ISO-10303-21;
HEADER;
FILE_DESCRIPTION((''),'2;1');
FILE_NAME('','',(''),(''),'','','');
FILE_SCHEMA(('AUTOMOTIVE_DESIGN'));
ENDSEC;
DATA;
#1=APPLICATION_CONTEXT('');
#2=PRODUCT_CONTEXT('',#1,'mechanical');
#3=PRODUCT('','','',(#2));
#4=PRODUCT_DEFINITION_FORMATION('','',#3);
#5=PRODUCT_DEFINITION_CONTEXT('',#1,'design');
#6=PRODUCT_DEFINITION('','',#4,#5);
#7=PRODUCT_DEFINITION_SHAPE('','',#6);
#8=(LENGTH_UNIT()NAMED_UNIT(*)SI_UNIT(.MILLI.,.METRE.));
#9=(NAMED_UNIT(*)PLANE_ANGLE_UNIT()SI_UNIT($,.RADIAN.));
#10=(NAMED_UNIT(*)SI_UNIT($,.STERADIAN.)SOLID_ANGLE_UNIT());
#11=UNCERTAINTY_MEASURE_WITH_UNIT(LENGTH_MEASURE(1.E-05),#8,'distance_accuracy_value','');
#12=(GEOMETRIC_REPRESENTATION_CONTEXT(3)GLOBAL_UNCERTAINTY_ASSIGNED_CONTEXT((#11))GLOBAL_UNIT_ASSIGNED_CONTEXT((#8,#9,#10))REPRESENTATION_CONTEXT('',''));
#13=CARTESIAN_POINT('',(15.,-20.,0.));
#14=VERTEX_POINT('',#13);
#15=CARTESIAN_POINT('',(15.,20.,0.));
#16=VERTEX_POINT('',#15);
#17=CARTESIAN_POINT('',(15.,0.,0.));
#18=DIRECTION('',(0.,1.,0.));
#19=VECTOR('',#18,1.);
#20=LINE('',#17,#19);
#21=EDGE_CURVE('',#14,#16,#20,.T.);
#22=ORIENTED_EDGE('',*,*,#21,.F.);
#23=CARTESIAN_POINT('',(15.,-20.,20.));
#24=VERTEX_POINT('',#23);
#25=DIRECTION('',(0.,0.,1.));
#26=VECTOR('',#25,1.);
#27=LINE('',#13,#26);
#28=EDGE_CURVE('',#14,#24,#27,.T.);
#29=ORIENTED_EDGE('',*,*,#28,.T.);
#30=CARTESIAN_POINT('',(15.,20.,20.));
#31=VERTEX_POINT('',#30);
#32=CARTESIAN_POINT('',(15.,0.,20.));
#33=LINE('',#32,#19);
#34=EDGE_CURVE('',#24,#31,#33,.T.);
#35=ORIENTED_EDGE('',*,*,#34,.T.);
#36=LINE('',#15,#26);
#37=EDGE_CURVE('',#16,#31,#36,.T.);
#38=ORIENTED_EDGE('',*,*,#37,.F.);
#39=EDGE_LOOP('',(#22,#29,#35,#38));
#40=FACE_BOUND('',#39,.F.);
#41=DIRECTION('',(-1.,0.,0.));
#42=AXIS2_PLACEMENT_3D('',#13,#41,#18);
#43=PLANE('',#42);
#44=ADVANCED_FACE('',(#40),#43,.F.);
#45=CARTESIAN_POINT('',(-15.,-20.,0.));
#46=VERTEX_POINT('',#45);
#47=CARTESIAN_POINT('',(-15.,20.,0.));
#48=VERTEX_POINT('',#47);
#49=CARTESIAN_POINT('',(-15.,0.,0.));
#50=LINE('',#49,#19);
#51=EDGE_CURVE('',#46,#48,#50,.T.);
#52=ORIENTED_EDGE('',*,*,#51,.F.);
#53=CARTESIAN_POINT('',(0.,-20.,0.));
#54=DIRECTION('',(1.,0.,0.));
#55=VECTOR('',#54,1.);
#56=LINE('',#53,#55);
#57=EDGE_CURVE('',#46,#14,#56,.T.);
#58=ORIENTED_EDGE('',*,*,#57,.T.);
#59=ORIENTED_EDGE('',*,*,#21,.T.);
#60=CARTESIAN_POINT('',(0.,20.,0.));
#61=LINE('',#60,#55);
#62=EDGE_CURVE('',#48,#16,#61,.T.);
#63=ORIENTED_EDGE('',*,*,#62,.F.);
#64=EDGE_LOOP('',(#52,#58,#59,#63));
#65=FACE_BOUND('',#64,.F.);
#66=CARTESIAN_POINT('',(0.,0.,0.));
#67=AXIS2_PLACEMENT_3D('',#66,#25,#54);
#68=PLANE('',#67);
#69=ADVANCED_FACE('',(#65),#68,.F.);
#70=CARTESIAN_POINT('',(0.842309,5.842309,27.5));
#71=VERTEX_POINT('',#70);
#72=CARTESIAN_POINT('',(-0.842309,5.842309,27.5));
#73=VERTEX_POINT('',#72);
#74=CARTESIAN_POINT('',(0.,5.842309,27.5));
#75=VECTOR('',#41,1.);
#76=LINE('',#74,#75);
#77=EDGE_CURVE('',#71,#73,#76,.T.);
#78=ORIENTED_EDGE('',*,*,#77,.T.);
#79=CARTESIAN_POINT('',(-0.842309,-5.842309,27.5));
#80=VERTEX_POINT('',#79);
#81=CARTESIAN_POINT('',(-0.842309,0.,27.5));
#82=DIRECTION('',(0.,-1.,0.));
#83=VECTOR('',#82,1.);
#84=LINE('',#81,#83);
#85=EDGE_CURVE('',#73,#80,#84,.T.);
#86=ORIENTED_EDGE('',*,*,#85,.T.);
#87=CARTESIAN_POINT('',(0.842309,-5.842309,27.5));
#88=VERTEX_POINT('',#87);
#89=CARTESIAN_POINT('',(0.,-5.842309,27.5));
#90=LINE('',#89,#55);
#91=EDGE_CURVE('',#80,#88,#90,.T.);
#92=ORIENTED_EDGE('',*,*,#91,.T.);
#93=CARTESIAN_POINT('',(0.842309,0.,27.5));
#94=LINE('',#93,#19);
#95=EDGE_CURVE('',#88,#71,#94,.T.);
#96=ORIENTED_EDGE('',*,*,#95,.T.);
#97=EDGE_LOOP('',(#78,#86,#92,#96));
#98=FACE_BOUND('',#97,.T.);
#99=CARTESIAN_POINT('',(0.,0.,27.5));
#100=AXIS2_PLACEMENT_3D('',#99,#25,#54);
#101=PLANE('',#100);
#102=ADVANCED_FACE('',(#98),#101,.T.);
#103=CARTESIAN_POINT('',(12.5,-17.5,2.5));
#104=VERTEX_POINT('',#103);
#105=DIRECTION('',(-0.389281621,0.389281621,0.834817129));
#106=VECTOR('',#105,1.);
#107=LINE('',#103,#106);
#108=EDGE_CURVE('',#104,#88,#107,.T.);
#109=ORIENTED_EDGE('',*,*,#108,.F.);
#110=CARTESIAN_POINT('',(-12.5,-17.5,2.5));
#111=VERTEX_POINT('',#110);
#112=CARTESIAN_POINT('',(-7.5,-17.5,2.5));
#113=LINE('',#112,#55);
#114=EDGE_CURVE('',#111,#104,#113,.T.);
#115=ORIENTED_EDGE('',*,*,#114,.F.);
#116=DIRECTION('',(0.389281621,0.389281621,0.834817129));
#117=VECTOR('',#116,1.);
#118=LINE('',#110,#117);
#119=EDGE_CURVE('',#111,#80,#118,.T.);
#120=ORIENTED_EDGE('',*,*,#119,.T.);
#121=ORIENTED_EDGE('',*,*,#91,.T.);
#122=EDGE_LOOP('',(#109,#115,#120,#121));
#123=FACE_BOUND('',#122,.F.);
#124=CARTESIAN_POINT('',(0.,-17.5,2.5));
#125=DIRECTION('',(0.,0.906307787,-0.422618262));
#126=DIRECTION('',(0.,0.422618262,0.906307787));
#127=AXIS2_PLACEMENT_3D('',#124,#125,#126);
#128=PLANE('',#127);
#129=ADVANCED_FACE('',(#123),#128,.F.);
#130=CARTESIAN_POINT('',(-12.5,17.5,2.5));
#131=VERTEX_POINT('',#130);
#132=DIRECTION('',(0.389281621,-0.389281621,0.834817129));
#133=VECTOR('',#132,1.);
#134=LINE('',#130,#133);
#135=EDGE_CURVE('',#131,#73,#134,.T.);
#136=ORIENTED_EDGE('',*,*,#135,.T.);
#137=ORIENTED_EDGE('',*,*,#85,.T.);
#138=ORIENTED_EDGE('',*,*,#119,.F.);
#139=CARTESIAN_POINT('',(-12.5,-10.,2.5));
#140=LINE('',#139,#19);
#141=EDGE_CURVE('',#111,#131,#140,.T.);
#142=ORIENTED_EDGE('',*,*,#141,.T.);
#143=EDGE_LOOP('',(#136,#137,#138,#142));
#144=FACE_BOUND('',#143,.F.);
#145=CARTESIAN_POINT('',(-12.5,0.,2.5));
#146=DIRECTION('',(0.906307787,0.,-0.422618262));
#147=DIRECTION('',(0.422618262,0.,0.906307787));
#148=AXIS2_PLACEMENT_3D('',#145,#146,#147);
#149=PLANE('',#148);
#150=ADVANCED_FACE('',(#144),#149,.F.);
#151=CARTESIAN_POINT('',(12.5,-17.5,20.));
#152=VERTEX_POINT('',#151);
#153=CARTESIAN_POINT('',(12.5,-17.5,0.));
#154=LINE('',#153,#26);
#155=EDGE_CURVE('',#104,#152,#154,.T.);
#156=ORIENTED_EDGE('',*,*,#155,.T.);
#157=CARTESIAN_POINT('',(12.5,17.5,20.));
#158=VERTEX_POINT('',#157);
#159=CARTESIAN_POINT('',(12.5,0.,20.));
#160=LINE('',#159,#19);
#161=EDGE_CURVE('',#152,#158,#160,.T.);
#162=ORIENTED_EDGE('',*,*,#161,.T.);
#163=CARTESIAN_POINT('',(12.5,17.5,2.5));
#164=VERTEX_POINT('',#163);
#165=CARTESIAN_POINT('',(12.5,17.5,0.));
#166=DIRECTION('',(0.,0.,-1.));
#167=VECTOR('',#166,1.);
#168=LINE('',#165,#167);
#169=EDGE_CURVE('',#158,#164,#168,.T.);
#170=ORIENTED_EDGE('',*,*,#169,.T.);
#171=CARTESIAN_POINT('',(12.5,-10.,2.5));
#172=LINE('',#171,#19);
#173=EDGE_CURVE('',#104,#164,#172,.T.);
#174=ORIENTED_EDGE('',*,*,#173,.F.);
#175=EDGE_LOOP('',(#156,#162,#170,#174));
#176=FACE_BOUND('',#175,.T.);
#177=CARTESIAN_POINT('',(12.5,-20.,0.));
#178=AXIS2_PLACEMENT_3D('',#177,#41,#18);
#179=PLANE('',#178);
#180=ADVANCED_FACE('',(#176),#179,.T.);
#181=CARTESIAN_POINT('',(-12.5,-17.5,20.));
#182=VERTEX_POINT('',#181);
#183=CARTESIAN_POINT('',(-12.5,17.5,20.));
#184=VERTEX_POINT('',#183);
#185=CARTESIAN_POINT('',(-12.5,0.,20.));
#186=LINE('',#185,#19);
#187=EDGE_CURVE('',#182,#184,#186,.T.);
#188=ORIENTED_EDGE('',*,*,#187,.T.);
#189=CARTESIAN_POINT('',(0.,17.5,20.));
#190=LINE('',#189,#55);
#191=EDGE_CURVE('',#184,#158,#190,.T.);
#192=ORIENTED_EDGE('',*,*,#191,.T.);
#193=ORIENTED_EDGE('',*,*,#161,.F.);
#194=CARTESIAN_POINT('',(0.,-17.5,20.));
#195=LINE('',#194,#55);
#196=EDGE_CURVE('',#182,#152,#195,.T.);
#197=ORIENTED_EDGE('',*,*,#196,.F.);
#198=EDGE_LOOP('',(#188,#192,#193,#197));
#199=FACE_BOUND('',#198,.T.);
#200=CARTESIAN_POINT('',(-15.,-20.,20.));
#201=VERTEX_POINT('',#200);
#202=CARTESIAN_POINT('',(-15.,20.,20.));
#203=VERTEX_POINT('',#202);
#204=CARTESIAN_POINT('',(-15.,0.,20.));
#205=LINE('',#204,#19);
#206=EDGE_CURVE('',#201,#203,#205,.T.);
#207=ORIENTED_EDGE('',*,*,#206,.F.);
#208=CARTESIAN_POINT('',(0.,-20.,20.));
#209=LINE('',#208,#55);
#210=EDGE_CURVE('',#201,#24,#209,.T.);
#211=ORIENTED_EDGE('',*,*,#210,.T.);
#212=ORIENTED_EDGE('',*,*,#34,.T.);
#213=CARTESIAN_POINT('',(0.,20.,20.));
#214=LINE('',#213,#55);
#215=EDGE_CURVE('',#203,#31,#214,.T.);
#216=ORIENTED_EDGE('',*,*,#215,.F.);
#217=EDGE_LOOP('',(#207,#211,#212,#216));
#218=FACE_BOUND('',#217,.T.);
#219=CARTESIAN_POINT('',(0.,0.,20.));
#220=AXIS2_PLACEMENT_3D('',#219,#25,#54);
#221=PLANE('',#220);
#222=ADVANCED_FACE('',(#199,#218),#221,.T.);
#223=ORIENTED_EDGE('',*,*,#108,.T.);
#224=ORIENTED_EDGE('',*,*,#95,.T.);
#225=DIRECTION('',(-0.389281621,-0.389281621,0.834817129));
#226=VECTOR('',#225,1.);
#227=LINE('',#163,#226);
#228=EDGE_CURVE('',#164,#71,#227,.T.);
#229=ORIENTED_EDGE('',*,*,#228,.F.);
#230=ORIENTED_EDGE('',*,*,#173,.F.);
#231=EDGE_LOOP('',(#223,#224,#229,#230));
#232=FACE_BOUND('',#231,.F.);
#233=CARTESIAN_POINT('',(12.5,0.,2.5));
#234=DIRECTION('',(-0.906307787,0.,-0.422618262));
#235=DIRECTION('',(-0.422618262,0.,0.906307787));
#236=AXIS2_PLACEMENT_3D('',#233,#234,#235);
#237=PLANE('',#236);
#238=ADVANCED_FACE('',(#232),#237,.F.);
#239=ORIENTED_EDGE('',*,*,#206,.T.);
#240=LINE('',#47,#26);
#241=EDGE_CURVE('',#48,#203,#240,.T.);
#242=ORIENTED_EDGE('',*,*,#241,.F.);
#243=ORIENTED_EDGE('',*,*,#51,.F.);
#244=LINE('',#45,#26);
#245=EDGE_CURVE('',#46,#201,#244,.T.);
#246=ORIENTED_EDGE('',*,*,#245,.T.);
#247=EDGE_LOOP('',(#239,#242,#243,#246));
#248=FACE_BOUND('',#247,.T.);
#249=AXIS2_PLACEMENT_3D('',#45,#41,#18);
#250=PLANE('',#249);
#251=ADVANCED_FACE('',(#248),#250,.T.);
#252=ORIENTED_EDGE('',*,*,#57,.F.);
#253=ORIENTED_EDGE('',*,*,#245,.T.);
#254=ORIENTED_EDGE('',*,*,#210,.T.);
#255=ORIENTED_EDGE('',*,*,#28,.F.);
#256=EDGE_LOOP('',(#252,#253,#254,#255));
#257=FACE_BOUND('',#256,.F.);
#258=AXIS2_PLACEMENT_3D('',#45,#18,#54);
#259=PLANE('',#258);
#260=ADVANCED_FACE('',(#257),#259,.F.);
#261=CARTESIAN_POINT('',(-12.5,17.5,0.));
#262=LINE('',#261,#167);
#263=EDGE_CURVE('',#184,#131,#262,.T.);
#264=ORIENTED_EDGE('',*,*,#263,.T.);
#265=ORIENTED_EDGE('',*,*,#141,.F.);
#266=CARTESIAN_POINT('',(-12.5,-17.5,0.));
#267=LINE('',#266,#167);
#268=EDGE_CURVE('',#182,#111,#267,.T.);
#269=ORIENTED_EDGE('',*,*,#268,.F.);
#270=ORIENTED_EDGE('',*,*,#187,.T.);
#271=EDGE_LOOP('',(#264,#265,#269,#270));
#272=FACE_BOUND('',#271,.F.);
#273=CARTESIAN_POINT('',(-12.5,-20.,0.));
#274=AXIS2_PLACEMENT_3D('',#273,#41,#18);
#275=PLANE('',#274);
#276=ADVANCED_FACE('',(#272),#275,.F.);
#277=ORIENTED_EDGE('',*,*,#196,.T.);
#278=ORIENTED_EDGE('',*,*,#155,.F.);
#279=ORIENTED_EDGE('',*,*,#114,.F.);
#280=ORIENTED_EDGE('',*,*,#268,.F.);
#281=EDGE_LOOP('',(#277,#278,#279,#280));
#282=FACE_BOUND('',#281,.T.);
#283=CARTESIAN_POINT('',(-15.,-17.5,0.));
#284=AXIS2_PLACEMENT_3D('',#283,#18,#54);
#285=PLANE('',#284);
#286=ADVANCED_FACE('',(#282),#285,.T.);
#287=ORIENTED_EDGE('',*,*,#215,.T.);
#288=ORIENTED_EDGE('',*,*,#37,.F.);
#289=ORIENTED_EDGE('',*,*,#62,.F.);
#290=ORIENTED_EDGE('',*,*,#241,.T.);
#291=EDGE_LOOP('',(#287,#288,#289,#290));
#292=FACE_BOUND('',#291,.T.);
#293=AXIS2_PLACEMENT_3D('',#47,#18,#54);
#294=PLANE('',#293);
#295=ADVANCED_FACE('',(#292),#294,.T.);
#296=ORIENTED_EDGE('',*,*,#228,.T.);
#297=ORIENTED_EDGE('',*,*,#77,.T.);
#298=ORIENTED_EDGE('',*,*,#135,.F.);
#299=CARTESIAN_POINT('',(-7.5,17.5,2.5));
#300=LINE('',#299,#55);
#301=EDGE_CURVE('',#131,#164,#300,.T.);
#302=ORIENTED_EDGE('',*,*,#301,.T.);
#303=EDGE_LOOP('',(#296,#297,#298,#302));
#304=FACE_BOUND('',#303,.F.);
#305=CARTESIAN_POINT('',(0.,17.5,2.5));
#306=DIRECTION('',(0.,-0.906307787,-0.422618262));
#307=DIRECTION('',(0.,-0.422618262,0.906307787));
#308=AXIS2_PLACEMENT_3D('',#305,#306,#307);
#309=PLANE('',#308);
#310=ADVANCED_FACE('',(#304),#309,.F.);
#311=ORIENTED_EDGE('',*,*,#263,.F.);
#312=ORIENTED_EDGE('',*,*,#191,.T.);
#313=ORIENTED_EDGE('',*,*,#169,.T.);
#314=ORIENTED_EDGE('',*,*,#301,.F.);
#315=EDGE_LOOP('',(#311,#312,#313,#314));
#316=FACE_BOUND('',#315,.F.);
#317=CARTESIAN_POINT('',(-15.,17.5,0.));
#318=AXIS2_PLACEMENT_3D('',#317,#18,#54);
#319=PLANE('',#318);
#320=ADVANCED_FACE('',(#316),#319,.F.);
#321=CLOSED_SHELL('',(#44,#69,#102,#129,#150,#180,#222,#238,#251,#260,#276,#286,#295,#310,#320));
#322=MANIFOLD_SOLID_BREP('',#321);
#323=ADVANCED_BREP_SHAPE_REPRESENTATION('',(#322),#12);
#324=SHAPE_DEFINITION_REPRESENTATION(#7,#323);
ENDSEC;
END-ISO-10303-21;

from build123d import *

# Parameters (mm, degrees)
F0_W     = 30
F0_H     = 40
F1_DEPTH = 20
F2_T     = -2.5
F3_W     = 25
F3_H     = 35
F4_DEPTH = 25
F4_TAPER = 25


with BuildPart() as f1:
    # F0 (on Top) → F1 (new body)
    with BuildSketch(Plane.XY):
        Rectangle(F0_W, F0_H)
    extrude(amount=F1_DEPTH)

    # F2
    f2_openings = [f1.faces().sort_by_distance(p)[0] for p in [
        (0, 0, 20),
    ]]
    offset(amount=F2_T, openings=f2_openings)

    # F3 (on face) → F4 (join)
    with BuildSketch(Plane.XY.offset(2.5)):
        Rectangle(F3_W, F3_H)
    extrude(amount=F4_DEPTH, taper=F4_TAPER)


solid = f1.part
